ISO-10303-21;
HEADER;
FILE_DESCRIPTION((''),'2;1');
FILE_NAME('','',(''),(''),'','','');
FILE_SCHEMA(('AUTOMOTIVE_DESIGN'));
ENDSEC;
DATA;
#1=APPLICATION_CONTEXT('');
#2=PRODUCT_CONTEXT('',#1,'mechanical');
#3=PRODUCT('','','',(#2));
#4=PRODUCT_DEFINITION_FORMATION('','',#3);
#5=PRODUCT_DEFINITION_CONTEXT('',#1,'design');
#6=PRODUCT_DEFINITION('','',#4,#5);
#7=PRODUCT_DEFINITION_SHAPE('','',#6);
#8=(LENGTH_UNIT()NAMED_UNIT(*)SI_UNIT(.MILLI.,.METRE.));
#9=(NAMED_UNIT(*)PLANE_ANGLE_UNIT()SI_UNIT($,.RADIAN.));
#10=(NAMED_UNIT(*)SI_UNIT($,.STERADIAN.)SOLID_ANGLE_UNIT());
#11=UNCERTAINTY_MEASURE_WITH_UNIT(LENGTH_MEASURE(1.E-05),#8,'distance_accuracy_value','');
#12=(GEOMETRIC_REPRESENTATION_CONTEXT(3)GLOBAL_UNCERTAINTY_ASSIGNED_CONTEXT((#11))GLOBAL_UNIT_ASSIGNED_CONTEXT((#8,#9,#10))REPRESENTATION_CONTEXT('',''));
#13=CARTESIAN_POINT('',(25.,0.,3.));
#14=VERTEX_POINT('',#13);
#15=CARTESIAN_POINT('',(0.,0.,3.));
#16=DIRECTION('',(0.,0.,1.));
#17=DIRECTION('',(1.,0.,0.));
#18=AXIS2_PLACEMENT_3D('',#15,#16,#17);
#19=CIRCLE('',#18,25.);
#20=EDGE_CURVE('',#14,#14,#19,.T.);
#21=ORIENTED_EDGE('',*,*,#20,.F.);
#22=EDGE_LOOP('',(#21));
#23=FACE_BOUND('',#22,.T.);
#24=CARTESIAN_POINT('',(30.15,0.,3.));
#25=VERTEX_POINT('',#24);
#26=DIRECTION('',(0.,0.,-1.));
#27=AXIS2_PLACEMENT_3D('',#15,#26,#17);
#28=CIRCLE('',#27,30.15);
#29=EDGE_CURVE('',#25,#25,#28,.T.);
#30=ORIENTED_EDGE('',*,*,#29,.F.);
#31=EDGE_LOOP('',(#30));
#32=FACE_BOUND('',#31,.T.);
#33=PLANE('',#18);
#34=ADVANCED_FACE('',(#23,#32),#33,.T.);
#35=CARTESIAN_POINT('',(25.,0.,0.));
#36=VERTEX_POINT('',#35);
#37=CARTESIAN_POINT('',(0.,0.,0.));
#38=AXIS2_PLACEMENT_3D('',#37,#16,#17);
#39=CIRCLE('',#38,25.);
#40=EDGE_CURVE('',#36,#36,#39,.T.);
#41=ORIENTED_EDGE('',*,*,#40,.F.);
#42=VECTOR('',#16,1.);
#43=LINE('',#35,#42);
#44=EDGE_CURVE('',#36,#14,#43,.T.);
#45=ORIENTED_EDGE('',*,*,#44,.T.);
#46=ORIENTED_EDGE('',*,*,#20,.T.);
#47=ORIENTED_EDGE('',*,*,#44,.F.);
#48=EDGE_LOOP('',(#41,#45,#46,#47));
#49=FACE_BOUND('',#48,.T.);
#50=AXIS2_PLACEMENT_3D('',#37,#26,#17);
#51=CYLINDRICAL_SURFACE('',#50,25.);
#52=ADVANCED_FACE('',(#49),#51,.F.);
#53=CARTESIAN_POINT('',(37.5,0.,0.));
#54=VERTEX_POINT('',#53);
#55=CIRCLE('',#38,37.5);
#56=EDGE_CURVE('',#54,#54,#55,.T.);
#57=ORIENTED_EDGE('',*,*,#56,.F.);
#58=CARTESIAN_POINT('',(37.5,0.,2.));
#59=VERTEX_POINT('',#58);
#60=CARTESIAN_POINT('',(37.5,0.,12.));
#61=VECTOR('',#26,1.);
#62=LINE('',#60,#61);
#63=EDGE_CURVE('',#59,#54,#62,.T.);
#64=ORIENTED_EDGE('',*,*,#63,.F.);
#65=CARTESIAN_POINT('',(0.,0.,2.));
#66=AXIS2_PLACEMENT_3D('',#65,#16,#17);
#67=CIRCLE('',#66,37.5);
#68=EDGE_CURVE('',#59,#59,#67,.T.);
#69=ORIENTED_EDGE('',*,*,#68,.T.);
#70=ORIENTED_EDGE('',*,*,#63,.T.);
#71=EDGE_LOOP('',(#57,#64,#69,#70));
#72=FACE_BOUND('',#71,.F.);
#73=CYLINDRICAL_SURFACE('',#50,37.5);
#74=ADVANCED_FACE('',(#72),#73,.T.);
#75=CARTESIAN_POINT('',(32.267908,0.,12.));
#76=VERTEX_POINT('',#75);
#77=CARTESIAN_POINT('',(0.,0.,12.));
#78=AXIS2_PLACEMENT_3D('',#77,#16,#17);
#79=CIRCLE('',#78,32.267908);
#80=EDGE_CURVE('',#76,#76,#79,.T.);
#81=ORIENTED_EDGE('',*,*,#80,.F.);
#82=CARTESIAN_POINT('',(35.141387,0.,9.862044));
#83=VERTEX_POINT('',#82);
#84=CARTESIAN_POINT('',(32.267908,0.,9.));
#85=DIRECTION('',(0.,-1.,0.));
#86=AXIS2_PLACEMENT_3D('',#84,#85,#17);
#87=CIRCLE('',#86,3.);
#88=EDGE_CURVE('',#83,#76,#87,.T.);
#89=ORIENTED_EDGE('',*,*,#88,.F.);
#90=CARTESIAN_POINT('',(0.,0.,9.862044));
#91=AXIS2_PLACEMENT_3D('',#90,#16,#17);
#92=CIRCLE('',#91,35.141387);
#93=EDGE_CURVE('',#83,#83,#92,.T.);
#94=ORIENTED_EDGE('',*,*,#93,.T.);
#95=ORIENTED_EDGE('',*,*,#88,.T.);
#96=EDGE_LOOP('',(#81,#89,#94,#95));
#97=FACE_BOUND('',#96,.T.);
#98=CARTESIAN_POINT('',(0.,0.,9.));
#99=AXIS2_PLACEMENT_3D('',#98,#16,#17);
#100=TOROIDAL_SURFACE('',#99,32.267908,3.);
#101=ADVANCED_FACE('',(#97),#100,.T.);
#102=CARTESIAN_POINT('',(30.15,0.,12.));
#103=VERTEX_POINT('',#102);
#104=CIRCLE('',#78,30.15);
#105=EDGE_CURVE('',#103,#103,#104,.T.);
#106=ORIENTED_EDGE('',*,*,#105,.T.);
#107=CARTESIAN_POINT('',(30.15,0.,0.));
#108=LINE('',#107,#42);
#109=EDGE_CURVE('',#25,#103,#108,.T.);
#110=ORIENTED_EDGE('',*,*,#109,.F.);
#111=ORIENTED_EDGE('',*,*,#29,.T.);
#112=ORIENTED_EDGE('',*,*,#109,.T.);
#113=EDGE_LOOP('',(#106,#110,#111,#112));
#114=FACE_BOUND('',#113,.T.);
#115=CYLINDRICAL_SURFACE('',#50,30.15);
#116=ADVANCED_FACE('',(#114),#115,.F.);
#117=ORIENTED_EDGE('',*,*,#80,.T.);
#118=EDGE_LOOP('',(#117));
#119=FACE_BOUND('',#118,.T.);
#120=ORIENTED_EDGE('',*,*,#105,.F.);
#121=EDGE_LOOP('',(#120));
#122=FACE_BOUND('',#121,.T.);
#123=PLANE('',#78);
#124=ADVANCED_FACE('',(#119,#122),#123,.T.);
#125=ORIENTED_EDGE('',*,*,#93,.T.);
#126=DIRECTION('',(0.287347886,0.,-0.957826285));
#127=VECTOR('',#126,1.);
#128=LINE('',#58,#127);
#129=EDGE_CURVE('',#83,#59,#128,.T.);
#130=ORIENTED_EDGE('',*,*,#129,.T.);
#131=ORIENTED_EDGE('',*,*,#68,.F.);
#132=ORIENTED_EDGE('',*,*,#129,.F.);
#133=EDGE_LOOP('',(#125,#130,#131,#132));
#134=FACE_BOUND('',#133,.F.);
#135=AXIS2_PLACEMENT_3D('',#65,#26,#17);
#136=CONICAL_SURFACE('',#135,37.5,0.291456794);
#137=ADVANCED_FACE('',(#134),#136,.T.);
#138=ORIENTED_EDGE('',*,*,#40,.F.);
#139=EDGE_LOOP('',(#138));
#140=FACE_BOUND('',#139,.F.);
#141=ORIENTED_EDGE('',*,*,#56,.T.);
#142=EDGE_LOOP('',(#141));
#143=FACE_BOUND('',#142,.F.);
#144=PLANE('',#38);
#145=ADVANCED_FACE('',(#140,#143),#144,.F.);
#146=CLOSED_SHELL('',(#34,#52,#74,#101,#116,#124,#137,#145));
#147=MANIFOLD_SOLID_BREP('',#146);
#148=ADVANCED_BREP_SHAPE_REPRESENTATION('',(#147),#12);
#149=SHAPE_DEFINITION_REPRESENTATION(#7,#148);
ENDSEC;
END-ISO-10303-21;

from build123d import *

# Parameters (mm, degrees)
F0_R     = 37.5
F0_R_2   = 30.15
F0_R_3   = 25
F1_DEPTH = 3
F2_DEPTH = 12
F3_SIZE2 = 10
F3_SIZE  = 3
F4_R     = 3


with BuildPart() as f1:
    # F0 (on Top) → F1 (new body)
    with BuildSketch(Plane.XY):
        Circle(F0_R)
        Circle(F0_R_2, mode=Mode.SUBTRACT)
        Circle(F0_R_2)
        Circle(F0_R_3, mode=Mode.SUBTRACT)
    extrude(amount=F1_DEPTH)

    # F0 (on Top) → F2 (join)
    with BuildSketch(Plane.XY):
        Circle(F0_R)
        Circle(F0_R_2, mode=Mode.SUBTRACT)
    extrude(amount=F2_DEPTH)

    # F3
    f3_edges = [f1.edges().sort_by_distance(p)[0] for p in [
        (-37.5, 0, 12),
    ]]
    f3_side = f1.faces().sort_by_distance((-36.43934, 0, 12))[0]
    chamfer(f3_edges, length=F3_SIZE, length2=F3_SIZE2, reference=f3_side)

    # F4
    f4_edges = [f1.edges().sort_by_distance(p)[0] for p in [
        (-34.5, 0, 12),
    ]]
    fillet(f4_edges, radius=F4_R)


solid = f1.part
